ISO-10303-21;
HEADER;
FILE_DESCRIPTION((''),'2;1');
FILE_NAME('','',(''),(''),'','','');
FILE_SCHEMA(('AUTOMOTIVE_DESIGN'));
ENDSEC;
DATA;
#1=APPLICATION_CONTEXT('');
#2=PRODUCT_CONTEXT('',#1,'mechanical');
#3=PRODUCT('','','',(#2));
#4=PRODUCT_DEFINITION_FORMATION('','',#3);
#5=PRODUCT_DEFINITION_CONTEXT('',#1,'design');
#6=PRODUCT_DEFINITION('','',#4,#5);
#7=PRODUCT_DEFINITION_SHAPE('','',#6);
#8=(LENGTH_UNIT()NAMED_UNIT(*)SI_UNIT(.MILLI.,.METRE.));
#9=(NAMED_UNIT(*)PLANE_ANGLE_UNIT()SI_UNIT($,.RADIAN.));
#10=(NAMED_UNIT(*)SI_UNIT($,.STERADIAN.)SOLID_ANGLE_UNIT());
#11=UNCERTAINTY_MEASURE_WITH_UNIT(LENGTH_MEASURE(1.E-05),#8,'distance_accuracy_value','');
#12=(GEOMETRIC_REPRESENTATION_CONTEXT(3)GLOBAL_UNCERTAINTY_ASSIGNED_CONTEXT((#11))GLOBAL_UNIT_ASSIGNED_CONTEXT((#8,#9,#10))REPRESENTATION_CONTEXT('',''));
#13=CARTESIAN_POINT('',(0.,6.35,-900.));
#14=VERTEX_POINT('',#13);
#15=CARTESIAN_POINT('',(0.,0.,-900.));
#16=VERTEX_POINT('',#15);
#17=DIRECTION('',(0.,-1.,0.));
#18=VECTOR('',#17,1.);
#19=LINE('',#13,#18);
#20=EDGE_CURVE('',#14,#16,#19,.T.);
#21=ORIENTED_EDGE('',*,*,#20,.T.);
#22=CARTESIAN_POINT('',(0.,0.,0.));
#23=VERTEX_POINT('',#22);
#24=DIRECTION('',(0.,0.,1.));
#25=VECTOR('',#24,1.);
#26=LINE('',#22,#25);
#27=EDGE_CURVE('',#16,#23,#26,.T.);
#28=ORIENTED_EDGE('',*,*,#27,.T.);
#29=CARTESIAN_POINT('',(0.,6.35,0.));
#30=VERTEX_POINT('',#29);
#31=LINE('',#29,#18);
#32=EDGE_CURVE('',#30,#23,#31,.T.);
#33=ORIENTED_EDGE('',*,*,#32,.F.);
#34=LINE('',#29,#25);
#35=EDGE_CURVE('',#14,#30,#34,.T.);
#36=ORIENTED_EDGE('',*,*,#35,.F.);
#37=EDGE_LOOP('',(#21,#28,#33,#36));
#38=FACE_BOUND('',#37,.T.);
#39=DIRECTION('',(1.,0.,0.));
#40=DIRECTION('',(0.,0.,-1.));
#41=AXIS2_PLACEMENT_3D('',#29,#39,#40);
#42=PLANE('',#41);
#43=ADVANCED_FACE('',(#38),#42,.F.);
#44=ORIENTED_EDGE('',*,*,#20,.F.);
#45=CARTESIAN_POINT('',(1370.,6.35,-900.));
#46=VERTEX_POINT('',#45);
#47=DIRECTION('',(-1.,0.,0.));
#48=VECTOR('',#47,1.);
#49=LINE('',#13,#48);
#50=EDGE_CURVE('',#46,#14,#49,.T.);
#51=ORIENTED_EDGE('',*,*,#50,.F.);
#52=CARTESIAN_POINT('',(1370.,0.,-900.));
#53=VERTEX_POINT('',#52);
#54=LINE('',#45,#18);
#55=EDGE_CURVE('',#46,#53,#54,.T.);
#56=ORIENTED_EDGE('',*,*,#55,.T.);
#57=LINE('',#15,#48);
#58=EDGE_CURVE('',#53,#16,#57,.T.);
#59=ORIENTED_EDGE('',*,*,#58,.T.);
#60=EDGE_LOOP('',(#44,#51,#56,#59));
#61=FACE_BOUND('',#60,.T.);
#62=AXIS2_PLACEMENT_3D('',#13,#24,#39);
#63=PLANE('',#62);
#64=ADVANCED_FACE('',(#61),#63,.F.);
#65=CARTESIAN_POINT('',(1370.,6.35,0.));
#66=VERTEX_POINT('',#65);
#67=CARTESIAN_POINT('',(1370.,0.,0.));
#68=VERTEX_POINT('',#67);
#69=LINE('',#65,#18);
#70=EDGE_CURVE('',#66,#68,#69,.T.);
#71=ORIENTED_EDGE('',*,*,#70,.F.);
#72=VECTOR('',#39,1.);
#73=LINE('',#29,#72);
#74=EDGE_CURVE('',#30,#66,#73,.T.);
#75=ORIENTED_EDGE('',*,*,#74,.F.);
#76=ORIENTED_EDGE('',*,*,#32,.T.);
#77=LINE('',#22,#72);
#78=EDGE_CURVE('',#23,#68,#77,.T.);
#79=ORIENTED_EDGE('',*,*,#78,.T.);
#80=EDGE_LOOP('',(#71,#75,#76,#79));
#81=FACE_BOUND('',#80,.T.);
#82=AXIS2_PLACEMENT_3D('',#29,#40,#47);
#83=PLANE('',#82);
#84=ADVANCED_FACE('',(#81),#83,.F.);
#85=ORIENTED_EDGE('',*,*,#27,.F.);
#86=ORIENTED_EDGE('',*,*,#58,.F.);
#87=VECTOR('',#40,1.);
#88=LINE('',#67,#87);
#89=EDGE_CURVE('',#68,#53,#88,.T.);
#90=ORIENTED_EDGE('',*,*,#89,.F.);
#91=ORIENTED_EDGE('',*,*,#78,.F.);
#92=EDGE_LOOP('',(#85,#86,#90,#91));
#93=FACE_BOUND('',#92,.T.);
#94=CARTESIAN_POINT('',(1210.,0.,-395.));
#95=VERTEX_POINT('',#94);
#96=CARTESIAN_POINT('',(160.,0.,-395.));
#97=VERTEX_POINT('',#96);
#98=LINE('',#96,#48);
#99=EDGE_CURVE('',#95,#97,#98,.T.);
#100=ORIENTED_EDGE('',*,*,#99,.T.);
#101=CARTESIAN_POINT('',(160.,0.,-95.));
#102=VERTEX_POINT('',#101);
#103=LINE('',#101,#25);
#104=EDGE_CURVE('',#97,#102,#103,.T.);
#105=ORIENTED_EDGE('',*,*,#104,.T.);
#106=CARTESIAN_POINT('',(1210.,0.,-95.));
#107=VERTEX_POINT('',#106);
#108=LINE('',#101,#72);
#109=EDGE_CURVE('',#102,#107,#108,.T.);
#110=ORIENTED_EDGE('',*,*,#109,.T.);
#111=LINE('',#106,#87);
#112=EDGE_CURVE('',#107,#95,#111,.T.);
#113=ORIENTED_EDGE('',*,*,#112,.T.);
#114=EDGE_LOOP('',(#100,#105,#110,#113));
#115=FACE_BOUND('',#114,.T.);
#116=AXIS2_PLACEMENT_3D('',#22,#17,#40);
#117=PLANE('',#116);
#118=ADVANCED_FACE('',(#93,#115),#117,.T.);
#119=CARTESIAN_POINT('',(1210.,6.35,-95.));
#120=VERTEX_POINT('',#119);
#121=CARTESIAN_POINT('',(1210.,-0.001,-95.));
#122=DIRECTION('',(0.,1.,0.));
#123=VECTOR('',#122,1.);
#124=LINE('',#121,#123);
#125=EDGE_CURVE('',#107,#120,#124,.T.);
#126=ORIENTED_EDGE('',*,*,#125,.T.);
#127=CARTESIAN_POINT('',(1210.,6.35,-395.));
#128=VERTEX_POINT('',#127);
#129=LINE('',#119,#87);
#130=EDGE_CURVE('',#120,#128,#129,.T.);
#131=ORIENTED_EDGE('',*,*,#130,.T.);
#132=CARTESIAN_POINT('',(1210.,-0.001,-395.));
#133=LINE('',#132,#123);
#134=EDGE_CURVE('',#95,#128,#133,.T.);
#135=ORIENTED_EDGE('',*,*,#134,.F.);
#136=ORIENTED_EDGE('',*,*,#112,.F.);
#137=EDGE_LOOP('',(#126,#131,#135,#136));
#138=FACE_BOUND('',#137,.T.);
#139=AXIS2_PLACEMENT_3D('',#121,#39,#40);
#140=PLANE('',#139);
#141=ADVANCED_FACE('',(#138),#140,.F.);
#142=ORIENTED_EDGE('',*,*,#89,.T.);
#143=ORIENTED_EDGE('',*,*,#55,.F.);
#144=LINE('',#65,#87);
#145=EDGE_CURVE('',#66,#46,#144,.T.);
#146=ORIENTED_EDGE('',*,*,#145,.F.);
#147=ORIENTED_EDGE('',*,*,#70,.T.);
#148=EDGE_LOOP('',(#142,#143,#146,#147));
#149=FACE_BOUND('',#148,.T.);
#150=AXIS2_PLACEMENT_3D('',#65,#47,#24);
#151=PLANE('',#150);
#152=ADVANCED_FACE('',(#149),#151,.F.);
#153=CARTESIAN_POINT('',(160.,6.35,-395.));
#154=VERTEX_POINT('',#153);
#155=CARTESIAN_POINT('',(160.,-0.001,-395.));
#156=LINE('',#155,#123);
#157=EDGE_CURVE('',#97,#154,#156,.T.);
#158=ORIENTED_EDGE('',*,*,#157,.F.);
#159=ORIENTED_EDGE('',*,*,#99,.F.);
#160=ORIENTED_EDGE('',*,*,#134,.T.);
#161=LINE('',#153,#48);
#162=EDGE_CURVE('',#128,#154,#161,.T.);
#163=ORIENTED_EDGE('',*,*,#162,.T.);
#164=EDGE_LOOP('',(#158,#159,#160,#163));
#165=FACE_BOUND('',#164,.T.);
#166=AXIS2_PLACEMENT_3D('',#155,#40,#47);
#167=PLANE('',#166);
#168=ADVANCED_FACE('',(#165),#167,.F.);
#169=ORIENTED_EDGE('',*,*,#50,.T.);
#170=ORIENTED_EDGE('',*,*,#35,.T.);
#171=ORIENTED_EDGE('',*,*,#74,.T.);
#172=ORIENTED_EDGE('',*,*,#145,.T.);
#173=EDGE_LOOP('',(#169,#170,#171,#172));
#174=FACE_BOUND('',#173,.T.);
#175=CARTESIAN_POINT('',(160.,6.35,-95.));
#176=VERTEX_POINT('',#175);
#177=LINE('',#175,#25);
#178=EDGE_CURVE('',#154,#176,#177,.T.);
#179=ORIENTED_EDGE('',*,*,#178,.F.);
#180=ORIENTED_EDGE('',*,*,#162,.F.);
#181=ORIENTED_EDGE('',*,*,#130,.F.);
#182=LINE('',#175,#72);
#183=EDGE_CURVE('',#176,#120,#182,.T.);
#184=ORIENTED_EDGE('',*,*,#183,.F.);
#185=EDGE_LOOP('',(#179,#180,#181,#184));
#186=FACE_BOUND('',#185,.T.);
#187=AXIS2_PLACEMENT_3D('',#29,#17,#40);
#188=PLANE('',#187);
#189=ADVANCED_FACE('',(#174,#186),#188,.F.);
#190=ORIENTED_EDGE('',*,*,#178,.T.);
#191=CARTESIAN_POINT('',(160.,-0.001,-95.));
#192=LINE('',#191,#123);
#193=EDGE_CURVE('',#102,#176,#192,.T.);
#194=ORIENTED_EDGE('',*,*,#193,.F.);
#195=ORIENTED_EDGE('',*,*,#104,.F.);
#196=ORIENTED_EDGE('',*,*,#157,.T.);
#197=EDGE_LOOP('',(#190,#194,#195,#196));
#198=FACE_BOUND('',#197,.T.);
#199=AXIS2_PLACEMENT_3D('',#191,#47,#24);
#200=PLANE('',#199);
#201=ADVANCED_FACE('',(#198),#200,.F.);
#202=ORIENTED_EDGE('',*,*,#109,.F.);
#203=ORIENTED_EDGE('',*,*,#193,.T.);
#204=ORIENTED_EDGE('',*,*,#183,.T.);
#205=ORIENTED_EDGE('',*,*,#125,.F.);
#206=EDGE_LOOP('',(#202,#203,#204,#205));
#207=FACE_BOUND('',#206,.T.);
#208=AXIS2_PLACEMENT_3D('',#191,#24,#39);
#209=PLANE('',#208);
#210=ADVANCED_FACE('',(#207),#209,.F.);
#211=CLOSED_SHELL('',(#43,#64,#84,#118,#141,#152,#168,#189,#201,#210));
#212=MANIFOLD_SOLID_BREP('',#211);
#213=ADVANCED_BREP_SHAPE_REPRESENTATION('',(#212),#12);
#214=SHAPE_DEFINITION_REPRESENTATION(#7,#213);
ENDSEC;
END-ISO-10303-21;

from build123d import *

# Parameters (mm, degrees)
SKETCH1_W           = 1370
SKETCH1_H           = 900
BOSS_EXTRUDE1_DEPTH = 6.35
CUT_EXTRUDE1_REACH  = 1641.189
SKETCH2_W           = 1050
SKETCH2_H           = 300


with BuildPart() as part:
    # Sketch1 → Boss-Extrude1 (new body)
    with BuildSketch(Plane(origin=(0, 0, 0), x_dir=(1, 0, 0), z_dir=(0, 1, 0))):
        with Locations((685, 450)):
            Rectangle(SKETCH1_W, SKETCH1_H)
    extrude(amount=BOSS_EXTRUDE1_DEPTH)

    # Sketch2 → Cut-Extrude1 (cut, up to next)
    with BuildSketch(Plane(origin=(0, 6.35, 0), x_dir=(1, 0, 0), z_dir=(0, 1, 0)), mode=Mode.PRIVATE) as cut_extrude1_sk1:
        with Locations((685, 245)):
            Rectangle(SKETCH2_W, SKETCH2_H)
    cut_extrude1_tool1 = extrude(cut_extrude1_sk1.sketch, amount=-CUT_EXTRUDE1_REACH, mode=Mode.PRIVATE) & part.part
    add(cut_extrude1_tool1.solids().sort_by_distance((685, 6.35, -245))[0], mode=Mode.SUBTRACT)


solid = part.part
